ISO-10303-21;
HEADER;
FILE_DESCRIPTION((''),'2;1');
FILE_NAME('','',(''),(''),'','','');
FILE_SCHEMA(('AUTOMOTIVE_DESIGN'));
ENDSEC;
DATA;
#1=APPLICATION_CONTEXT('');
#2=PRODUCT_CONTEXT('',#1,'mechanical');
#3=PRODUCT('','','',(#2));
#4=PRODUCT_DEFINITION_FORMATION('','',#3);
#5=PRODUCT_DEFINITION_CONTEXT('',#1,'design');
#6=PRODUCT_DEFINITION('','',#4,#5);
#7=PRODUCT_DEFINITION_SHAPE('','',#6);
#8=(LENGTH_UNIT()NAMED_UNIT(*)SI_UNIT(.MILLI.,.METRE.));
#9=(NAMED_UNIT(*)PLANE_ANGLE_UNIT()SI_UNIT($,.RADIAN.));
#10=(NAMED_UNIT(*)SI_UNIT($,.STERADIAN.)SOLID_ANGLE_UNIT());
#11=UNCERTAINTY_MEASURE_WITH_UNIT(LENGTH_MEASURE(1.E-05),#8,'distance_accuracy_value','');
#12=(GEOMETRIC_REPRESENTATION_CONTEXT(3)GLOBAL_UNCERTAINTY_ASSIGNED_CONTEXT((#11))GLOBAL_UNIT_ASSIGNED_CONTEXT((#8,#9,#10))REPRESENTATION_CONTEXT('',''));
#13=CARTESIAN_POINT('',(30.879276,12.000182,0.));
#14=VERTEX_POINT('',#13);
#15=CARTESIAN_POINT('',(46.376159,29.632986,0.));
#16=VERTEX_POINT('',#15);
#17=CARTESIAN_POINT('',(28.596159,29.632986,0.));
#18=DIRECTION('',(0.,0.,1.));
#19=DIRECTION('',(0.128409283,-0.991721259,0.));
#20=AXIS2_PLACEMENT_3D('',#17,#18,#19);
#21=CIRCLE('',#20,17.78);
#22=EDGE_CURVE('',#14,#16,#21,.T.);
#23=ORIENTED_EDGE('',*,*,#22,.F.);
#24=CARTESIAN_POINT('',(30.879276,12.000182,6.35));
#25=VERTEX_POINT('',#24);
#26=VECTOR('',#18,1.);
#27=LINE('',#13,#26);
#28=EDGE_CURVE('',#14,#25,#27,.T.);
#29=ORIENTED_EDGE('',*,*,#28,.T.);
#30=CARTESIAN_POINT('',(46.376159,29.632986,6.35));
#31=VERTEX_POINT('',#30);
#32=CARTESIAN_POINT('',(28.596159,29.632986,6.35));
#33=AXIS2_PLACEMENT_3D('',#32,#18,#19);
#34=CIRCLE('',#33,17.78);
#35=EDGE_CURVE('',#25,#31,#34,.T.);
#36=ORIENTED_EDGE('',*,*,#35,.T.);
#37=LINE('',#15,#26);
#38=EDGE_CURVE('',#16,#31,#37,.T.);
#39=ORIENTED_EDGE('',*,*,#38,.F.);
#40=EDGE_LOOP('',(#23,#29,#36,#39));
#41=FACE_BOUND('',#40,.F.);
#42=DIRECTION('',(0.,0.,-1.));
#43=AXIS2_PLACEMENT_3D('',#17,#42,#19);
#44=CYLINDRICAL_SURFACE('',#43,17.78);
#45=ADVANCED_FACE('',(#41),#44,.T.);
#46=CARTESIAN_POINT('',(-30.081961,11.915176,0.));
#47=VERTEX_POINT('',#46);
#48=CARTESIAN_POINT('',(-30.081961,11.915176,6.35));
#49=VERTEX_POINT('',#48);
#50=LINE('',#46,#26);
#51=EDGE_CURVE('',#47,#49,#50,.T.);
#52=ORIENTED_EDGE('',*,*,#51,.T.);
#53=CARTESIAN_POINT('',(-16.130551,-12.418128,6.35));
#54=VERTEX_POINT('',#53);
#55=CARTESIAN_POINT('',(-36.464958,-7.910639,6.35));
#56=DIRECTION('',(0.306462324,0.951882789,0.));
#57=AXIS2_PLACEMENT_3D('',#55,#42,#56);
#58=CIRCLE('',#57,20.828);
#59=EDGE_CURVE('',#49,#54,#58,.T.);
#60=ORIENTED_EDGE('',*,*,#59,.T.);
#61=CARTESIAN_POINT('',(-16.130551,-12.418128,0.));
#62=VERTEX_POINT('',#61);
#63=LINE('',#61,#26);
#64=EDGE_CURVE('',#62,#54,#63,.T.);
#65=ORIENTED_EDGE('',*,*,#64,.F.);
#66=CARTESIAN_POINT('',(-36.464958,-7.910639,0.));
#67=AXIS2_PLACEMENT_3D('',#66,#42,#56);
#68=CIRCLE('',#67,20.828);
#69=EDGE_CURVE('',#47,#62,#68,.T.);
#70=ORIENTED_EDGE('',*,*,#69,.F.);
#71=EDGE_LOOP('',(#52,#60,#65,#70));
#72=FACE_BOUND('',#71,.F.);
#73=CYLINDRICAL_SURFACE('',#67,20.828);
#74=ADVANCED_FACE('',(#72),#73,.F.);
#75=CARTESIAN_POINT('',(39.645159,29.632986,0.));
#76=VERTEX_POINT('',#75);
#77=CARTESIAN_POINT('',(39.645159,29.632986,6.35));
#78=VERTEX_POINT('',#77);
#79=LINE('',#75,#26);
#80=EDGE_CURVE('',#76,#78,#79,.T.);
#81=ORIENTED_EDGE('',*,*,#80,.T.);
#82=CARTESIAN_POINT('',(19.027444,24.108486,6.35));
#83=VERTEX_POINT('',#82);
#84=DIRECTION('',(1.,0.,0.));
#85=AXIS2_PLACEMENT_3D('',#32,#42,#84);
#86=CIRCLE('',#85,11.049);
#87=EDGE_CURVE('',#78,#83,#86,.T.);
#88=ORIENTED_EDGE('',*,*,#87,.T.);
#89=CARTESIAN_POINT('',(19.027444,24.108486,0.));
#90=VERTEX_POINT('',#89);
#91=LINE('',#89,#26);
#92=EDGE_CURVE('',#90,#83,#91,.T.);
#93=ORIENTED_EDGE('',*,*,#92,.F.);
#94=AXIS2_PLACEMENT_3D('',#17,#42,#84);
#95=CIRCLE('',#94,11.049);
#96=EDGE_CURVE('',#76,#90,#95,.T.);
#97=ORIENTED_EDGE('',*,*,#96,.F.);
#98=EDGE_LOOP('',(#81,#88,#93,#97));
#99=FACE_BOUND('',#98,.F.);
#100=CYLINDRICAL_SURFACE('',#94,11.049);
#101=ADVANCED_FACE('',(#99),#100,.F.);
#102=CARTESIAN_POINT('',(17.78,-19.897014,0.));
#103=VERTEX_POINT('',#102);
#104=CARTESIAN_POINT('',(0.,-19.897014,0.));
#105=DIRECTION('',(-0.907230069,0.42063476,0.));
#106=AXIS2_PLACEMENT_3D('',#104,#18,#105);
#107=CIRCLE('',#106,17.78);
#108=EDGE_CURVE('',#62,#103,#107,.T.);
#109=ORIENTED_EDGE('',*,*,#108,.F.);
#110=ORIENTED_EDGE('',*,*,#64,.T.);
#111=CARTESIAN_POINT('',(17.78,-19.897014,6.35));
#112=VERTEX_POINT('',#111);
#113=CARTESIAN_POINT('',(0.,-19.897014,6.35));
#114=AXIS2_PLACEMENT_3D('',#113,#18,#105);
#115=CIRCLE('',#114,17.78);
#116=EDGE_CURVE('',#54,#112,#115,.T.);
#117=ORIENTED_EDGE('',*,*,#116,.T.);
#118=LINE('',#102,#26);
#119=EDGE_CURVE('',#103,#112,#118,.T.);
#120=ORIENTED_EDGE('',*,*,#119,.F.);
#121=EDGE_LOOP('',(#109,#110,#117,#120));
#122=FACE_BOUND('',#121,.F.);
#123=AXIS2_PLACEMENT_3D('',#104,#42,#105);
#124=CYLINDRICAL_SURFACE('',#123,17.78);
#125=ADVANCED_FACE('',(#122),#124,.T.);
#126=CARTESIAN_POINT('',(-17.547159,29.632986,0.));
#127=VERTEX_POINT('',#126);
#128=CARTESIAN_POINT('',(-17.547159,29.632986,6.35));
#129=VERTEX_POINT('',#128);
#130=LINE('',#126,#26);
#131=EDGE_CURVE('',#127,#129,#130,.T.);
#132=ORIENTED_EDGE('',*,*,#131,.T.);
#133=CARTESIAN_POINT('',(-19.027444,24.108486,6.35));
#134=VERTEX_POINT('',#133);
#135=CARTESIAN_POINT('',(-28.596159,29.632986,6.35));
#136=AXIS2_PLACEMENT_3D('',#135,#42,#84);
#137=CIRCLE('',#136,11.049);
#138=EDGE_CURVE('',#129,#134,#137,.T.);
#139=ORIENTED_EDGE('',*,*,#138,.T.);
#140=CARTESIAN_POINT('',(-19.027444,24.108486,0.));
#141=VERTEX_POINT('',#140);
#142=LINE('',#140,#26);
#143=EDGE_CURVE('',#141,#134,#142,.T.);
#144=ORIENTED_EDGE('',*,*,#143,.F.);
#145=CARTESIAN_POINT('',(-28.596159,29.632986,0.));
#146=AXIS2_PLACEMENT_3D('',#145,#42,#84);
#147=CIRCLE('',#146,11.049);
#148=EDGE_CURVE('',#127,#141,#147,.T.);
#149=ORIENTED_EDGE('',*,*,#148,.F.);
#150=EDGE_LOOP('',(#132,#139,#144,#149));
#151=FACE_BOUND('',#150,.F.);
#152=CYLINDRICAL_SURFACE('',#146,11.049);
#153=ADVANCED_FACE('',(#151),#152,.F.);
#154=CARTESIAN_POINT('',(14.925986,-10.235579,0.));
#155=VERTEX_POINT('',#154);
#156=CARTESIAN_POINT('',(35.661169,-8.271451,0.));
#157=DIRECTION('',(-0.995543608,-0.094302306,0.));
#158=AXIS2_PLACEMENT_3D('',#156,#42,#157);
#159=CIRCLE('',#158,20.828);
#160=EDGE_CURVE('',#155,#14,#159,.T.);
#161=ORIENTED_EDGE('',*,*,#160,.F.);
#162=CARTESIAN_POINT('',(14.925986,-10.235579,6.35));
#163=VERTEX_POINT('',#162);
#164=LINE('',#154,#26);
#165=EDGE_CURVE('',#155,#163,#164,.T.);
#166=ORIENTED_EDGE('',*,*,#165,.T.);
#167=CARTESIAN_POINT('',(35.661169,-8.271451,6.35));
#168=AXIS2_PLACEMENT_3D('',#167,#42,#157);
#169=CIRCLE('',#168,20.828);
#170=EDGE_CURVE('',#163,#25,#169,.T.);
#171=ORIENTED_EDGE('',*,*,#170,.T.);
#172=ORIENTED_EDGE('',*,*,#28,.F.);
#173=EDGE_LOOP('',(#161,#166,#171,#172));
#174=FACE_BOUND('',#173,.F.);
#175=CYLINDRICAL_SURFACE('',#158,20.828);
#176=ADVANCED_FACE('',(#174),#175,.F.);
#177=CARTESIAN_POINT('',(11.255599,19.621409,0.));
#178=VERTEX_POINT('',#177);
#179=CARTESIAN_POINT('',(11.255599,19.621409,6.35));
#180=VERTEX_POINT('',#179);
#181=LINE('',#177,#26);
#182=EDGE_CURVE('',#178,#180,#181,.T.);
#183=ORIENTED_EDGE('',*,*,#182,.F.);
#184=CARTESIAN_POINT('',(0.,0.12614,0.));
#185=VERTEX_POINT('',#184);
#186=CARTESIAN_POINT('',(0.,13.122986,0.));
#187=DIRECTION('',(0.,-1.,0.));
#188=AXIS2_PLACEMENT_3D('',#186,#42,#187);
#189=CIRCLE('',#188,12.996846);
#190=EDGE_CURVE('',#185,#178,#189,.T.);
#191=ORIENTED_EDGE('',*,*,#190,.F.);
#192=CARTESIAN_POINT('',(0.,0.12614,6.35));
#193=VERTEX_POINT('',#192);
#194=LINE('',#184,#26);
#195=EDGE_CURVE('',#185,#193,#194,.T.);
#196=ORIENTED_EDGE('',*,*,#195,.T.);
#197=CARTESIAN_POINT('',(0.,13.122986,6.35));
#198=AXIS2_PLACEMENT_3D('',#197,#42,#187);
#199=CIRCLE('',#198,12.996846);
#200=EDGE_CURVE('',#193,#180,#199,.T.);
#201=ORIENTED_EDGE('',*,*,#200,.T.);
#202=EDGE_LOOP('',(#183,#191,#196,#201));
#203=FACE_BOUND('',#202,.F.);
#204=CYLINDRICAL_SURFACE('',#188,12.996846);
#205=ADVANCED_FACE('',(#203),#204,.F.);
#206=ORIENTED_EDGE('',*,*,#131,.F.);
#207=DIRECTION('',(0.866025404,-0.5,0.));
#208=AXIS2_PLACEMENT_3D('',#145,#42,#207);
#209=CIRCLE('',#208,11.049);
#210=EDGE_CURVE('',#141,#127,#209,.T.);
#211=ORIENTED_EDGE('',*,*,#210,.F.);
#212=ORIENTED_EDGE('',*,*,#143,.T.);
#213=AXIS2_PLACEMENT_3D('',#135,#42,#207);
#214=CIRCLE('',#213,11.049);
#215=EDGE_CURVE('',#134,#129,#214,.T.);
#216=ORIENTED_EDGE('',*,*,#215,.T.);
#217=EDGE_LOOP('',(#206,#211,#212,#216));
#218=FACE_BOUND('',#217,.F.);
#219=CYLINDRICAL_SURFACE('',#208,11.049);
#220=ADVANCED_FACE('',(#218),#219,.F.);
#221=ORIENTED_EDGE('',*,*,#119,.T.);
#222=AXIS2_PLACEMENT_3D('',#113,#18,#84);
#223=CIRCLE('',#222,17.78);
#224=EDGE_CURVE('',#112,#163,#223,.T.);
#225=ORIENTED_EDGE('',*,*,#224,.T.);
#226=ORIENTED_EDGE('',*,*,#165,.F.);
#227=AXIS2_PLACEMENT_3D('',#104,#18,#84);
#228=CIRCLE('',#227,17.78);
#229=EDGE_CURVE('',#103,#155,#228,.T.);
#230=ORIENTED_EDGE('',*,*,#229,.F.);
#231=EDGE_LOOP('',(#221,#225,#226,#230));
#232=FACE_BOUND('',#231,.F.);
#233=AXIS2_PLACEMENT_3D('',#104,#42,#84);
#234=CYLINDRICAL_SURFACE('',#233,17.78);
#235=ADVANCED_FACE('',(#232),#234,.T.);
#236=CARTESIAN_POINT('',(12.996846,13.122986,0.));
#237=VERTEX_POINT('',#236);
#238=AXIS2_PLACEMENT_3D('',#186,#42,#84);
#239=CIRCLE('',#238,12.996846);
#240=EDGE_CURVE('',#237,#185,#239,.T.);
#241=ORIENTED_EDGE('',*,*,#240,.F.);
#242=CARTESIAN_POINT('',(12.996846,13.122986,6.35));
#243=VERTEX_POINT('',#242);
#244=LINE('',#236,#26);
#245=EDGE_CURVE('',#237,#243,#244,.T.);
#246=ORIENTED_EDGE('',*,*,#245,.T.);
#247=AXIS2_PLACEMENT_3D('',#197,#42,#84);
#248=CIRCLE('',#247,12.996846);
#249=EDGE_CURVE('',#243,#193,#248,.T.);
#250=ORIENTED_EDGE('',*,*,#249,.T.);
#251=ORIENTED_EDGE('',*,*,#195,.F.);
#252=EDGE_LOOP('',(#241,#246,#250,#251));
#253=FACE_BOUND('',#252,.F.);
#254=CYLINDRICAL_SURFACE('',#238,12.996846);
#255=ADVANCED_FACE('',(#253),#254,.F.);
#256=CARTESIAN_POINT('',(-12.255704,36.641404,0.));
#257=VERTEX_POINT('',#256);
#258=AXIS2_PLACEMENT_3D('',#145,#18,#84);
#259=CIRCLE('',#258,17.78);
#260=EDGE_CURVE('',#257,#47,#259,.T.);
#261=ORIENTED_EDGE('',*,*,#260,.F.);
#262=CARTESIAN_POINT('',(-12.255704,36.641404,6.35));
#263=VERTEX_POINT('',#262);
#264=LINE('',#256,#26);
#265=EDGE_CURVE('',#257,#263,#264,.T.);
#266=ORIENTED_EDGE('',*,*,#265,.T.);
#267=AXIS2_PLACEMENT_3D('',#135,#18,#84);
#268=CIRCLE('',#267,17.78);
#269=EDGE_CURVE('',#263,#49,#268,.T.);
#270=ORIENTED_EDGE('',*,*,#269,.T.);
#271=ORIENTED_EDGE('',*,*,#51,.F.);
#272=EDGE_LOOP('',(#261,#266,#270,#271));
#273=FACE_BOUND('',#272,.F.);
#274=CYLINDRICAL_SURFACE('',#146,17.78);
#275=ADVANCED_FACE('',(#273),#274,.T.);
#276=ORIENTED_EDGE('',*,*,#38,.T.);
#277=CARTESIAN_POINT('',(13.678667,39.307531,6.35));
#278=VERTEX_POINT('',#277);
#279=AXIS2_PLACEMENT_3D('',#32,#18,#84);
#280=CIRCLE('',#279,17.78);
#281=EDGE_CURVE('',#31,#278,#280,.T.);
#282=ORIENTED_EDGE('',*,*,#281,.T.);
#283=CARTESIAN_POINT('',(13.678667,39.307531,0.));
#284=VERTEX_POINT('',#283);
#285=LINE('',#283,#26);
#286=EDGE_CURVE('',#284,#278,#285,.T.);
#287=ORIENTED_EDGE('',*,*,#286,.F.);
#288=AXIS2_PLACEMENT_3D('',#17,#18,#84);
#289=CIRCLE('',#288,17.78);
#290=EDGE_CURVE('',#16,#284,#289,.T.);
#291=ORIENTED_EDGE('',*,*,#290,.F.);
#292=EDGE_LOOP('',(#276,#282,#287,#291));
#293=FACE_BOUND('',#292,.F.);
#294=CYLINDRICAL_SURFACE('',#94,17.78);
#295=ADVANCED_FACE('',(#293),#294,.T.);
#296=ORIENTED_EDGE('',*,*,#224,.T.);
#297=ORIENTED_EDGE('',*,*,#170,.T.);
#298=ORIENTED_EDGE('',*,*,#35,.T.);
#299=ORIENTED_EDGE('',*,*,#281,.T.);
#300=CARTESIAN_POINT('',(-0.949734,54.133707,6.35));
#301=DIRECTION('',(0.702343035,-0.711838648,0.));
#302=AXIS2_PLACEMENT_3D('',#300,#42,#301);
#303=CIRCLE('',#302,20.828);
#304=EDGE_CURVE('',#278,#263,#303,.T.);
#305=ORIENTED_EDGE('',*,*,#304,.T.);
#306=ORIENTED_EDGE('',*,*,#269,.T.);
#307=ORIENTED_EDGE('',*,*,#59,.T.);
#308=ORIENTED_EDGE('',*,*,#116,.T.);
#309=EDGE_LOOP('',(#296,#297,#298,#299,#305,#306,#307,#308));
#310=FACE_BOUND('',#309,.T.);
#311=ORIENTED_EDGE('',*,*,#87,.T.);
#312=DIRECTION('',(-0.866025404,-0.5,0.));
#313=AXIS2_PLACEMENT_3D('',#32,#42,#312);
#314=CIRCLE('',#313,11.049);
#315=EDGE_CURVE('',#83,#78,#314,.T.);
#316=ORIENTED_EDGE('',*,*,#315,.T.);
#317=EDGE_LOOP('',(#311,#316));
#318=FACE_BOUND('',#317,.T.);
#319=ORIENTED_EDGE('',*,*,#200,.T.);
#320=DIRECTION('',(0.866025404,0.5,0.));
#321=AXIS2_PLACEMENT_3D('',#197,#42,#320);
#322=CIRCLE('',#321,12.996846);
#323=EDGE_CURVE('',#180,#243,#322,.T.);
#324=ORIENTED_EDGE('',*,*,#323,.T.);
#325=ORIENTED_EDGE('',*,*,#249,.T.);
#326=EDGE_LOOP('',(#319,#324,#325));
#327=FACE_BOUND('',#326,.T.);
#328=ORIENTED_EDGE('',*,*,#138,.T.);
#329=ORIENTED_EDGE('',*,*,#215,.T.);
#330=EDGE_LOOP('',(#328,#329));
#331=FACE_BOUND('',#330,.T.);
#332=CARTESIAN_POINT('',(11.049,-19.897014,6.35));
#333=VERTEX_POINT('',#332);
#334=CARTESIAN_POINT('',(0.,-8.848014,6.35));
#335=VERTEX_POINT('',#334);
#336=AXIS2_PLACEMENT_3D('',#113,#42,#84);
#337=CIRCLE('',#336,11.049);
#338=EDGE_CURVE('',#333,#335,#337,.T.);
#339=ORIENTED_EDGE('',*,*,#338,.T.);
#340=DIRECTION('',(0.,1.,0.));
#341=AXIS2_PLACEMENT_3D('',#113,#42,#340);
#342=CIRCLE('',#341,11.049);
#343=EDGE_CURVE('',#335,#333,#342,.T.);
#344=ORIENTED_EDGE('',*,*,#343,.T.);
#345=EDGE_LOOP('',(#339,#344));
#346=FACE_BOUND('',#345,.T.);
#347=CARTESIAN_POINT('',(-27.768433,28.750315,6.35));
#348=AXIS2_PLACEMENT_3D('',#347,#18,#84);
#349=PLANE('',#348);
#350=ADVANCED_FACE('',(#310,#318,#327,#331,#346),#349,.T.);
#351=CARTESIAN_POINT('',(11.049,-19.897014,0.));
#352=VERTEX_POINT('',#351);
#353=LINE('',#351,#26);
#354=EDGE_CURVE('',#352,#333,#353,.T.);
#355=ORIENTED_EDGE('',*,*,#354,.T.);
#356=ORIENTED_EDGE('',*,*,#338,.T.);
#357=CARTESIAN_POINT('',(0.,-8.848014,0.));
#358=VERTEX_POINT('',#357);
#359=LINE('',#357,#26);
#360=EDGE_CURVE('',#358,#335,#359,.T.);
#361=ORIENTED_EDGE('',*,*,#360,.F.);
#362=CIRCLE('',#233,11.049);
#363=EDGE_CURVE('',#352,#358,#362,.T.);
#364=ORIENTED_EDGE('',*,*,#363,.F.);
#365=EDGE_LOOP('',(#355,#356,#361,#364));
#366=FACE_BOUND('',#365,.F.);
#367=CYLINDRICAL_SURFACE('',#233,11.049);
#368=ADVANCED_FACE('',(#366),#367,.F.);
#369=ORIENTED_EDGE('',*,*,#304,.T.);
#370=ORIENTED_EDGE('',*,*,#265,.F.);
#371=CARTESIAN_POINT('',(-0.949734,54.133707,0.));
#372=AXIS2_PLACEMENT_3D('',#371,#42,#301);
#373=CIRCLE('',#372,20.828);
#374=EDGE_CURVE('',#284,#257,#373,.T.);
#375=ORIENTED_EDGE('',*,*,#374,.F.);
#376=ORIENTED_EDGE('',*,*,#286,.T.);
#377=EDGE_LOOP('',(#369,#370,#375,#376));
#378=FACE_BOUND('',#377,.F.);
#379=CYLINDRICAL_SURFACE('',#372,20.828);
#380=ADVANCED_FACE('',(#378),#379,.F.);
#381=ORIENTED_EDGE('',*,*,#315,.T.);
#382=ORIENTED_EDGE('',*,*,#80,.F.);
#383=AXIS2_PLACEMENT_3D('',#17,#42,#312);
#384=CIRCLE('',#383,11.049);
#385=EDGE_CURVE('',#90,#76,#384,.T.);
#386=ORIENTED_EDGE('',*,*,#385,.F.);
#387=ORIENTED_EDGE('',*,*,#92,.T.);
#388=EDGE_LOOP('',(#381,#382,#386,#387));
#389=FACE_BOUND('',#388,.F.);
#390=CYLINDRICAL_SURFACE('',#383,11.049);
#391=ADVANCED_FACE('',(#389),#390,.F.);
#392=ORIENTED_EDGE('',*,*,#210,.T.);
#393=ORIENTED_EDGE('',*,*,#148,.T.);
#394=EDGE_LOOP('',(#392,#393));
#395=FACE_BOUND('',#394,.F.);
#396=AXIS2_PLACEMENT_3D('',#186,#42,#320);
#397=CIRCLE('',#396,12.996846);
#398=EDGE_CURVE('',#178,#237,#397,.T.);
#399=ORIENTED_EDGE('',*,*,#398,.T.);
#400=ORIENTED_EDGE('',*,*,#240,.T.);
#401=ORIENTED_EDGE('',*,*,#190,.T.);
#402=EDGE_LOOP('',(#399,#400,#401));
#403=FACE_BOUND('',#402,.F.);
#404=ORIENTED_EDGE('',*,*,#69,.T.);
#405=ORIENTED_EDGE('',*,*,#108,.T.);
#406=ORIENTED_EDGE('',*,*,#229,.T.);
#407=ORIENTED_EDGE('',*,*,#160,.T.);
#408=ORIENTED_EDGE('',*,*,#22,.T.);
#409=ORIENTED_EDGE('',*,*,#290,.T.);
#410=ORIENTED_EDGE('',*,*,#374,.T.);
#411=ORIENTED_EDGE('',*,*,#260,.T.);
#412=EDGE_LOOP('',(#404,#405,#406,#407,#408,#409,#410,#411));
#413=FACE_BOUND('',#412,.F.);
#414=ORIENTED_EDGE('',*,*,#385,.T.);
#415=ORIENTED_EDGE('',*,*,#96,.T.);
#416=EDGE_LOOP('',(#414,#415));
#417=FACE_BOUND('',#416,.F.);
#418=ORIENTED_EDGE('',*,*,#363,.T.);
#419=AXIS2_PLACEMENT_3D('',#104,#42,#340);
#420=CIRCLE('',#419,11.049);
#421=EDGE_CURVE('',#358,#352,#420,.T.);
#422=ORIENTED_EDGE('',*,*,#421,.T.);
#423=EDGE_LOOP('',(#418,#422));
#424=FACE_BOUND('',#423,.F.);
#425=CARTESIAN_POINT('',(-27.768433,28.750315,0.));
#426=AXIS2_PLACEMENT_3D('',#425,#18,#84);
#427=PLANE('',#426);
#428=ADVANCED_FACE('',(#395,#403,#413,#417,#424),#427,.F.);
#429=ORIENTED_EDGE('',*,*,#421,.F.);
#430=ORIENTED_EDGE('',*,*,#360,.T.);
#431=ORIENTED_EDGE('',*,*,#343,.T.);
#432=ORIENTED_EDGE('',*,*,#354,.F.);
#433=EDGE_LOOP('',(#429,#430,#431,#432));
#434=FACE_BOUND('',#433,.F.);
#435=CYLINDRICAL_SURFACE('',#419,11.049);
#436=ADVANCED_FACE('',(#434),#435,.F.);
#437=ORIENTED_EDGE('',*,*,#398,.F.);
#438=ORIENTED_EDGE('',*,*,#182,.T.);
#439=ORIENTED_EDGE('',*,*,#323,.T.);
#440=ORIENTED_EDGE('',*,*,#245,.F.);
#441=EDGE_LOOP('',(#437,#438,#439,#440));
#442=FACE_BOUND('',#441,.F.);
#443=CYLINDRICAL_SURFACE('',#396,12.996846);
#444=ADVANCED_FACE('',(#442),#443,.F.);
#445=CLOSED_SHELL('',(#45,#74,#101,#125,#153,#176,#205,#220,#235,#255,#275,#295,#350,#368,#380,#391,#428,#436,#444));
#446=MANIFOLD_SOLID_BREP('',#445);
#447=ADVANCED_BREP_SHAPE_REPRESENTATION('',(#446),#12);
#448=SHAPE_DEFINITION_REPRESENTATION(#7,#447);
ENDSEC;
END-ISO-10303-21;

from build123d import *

# Parameters (mm, degrees)
F1_DEPTH = 6.35


with BuildPart() as f1:
    # F0 (on Top) → F1 (new body)
    with BuildSketch(Plane.XY):
        with BuildLine():
            ThreePointArc((-30.0819607702, 11.9151759356), (-20.3578704511, 13.8767489709), (-13.1982271915, 20.7429859098))
            ThreePointArc((-13.1982271915, 20.7429859098), (-11.4219976513, 25.0311833169), (-10.816158833, 29.6329859753))
            ThreePointArc((-10.816158833, 29.6329859753), (-11.179762963, 33.2103530099), (-12.2557038161, 36.6414044732))
            ThreePointArc((-12.2557038161, 36.6414044732), (-43.0187721174, 40.03090048), (-30.0819607702, 11.9151759356))
        make_face()
        with BuildLine():
            ThreePointArc((-17.547158833, 29.6329859753), (-17.9236443783, 26.773294346), (-19.0274441465, 24.1084859753))
            ThreePointArc((-19.0274441465, 24.1084859753), (-39.2686732876, 32.4926776046), (-17.547158833, 29.6329859753))
        make_face(mode=Mode.SUBTRACT)
        with BuildLine():
            ThreePointArc((13.6786666056, 39.3075312177), (10.8221098654, 30.0929678224), (13.1982271824, 20.7429859256))
            ThreePointArc((13.1982271824, 20.7429859256), (20.7152486277, 13.6949919254), (30.8792758859, 12.0001819861))
            ThreePointArc((30.8792758859, 12.0001819861), (41.9513492322, 17.8955548509), (46.376158833, 29.6329859753))
            ThreePointArc((46.376158833, 29.6329859753), (33.6407295877, 46.6823468402), (13.6786666056, 39.3075312177))
        make_face()
        with BuildLine():
            ThreePointArc((39.645158833, 29.6329859753), (31.4558504623, 18.9604715206), (19.0274441465, 24.1084859753))
            ThreePointArc((19.0274441465, 24.1084859753), (25.7364672036, 40.30550043), (39.645158833, 29.6329859753))
        make_face(mode=Mode.SUBTRACT)
        with BuildLine():
            ThreePointArc((14.9259864768, -10.2355789505), (8.4955307169, -4.2779757112), (-3.9e-09, -2.1170140247))
            ThreePointArc((-3.9e-09, -2.1170140247), (-9.5695821881, -4.9119715908), (-16.1305506354, -12.4181279982))
            ThreePointArc((-16.1305506354, -12.4181279982), (-3.8293086649, -37.259755604), (17.78, -19.8970140247))
            ThreePointArc((17.78, -19.8970140247), (17.0515752873, -14.8599334991), (14.9259864768, -10.2355789505))
        make_face()
        with BuildLine():
            ThreePointArc((11.049, -19.8970140247), (-7.8128228253, -27.70983685), (0, -8.8480140247))
            ThreePointArc((0, -8.8480140247), (7.8128228253, -12.0841911994), (11.049, -19.8970140247))
        make_face(mode=Mode.SUBTRACT)
        with BuildLine():
            ThreePointArc((30.8792758859, 12.0001819861), (20.7152486277, 13.6949919254), (13.1982271824, 20.7429859256))
            ThreePointArc((13.1982271824, 20.7429859256), (14.7207096001, 17.0673881949), (15.24, 13.1229859753))
            ThreePointArc((15.24, 13.1229859753), (10.7763073439, 2.3466786287), (-3.9e-09, -2.1170140247))
            ThreePointArc((-3.9e-09, -2.1170140247), (8.4955307169, -4.2779757112), (14.9259864768, -10.2355789505))
            ThreePointArc((14.9259864768, -10.2355789505), (18.7381800343, 3.8701324523), (30.8792758859, 12.0001819861))
        make_face()
        with BuildLine():
            ThreePointArc((-13.1982271915, 20.7429859098), (-9.1e-09, 28.3629859753), (13.1982271824, 20.7429859256))
            ThreePointArc((13.1982271824, 20.7429859256), (10.8221098654, 30.0929678224), (13.6786666056, 39.3075312177))
            ThreePointArc((13.6786666056, 39.3075312177), (1.1802177429, 33.4149013853), (-12.2557038161, 36.6414044732))
            ThreePointArc((-12.2557038161, 36.6414044732), (-11.179762963, 33.2103530099), (-10.816158833, 29.6329859753))
            ThreePointArc((-10.816158833, 29.6329859753), (-11.4219976513, 25.0311833169), (-13.1982271915, 20.7429859098))
        make_face()
        with BuildLine():
            ThreePointArc((-16.1305506354, -12.4181279982), (-9.5695821881, -4.9119715908), (-3.9e-09, -2.1170140247))
            ThreePointArc((-3.9e-09, -2.1170140247), (-13.1982271357, 5.5029859442), (-13.1982271915, 20.7429859098))
            ThreePointArc((-13.1982271915, 20.7429859098), (-20.3578704511, 13.8767489709), (-30.0819607702, 11.9151759356))
            ThreePointArc((-30.0819607702, 11.9151759356), (-18.3961354972, 2.4490540304), (-16.1305506354, -12.4181279982))
        make_face()
        with BuildLine():
            Line((0, -2.1170140247), (0, 0.1261395605))
            ThreePointArc((0, 0.1261395605), (-11.2555991643, 6.6245627679), (-11.2555991643, 19.6214091827))
            Line((-11.2555991643, 19.6214091827), (-13.1982271537, 20.7429859753))
            ThreePointArc((-13.1982271915, 20.7429859098), (-13.1982271357, 5.5029859442), (-3.9e-09, -2.1170140247))
        make_face()
        with BuildLine():
            ThreePointArc((-11.2555991643, 19.6214091827), (0, 26.1198323901), (11.2555991643, 19.6214091827))
            Line((11.2555991643, 19.6214091827), (13.1982271537, 20.7429859753))
            ThreePointArc((13.1982271824, 20.7429859256), (-9.1e-09, 28.3629859753), (-13.1982271915, 20.7429859098))
            Line((-13.1982271537, 20.7429859753), (-11.2555991643, 19.6214091827))
        make_face()
        with BuildLine():
            ThreePointArc((11.2555991643, 19.6214091827), (12.5539896124, 16.4868173537), (12.9968464148, 13.1229859753))
            ThreePointArc((12.9968464148, 13.1229859753), (9.190158234, 3.9328277413), (0, 0.1261395605))
            Line((0, 0.1261395605), (0, -2.1170140247))
            ThreePointArc((-3.9e-09, -2.1170140247), (10.7763073439, 2.3466786287), (15.24, 13.1229859753))
            ThreePointArc((15.24, 13.1229859753), (14.7207096001, 17.0673881949), (13.1982271824, 20.7429859256))
            Line((13.1982271537, 20.7429859753), (11.2555991643, 19.6214091827))
        make_face()
    extrude(amount=F1_DEPTH)


solid = f1.part
